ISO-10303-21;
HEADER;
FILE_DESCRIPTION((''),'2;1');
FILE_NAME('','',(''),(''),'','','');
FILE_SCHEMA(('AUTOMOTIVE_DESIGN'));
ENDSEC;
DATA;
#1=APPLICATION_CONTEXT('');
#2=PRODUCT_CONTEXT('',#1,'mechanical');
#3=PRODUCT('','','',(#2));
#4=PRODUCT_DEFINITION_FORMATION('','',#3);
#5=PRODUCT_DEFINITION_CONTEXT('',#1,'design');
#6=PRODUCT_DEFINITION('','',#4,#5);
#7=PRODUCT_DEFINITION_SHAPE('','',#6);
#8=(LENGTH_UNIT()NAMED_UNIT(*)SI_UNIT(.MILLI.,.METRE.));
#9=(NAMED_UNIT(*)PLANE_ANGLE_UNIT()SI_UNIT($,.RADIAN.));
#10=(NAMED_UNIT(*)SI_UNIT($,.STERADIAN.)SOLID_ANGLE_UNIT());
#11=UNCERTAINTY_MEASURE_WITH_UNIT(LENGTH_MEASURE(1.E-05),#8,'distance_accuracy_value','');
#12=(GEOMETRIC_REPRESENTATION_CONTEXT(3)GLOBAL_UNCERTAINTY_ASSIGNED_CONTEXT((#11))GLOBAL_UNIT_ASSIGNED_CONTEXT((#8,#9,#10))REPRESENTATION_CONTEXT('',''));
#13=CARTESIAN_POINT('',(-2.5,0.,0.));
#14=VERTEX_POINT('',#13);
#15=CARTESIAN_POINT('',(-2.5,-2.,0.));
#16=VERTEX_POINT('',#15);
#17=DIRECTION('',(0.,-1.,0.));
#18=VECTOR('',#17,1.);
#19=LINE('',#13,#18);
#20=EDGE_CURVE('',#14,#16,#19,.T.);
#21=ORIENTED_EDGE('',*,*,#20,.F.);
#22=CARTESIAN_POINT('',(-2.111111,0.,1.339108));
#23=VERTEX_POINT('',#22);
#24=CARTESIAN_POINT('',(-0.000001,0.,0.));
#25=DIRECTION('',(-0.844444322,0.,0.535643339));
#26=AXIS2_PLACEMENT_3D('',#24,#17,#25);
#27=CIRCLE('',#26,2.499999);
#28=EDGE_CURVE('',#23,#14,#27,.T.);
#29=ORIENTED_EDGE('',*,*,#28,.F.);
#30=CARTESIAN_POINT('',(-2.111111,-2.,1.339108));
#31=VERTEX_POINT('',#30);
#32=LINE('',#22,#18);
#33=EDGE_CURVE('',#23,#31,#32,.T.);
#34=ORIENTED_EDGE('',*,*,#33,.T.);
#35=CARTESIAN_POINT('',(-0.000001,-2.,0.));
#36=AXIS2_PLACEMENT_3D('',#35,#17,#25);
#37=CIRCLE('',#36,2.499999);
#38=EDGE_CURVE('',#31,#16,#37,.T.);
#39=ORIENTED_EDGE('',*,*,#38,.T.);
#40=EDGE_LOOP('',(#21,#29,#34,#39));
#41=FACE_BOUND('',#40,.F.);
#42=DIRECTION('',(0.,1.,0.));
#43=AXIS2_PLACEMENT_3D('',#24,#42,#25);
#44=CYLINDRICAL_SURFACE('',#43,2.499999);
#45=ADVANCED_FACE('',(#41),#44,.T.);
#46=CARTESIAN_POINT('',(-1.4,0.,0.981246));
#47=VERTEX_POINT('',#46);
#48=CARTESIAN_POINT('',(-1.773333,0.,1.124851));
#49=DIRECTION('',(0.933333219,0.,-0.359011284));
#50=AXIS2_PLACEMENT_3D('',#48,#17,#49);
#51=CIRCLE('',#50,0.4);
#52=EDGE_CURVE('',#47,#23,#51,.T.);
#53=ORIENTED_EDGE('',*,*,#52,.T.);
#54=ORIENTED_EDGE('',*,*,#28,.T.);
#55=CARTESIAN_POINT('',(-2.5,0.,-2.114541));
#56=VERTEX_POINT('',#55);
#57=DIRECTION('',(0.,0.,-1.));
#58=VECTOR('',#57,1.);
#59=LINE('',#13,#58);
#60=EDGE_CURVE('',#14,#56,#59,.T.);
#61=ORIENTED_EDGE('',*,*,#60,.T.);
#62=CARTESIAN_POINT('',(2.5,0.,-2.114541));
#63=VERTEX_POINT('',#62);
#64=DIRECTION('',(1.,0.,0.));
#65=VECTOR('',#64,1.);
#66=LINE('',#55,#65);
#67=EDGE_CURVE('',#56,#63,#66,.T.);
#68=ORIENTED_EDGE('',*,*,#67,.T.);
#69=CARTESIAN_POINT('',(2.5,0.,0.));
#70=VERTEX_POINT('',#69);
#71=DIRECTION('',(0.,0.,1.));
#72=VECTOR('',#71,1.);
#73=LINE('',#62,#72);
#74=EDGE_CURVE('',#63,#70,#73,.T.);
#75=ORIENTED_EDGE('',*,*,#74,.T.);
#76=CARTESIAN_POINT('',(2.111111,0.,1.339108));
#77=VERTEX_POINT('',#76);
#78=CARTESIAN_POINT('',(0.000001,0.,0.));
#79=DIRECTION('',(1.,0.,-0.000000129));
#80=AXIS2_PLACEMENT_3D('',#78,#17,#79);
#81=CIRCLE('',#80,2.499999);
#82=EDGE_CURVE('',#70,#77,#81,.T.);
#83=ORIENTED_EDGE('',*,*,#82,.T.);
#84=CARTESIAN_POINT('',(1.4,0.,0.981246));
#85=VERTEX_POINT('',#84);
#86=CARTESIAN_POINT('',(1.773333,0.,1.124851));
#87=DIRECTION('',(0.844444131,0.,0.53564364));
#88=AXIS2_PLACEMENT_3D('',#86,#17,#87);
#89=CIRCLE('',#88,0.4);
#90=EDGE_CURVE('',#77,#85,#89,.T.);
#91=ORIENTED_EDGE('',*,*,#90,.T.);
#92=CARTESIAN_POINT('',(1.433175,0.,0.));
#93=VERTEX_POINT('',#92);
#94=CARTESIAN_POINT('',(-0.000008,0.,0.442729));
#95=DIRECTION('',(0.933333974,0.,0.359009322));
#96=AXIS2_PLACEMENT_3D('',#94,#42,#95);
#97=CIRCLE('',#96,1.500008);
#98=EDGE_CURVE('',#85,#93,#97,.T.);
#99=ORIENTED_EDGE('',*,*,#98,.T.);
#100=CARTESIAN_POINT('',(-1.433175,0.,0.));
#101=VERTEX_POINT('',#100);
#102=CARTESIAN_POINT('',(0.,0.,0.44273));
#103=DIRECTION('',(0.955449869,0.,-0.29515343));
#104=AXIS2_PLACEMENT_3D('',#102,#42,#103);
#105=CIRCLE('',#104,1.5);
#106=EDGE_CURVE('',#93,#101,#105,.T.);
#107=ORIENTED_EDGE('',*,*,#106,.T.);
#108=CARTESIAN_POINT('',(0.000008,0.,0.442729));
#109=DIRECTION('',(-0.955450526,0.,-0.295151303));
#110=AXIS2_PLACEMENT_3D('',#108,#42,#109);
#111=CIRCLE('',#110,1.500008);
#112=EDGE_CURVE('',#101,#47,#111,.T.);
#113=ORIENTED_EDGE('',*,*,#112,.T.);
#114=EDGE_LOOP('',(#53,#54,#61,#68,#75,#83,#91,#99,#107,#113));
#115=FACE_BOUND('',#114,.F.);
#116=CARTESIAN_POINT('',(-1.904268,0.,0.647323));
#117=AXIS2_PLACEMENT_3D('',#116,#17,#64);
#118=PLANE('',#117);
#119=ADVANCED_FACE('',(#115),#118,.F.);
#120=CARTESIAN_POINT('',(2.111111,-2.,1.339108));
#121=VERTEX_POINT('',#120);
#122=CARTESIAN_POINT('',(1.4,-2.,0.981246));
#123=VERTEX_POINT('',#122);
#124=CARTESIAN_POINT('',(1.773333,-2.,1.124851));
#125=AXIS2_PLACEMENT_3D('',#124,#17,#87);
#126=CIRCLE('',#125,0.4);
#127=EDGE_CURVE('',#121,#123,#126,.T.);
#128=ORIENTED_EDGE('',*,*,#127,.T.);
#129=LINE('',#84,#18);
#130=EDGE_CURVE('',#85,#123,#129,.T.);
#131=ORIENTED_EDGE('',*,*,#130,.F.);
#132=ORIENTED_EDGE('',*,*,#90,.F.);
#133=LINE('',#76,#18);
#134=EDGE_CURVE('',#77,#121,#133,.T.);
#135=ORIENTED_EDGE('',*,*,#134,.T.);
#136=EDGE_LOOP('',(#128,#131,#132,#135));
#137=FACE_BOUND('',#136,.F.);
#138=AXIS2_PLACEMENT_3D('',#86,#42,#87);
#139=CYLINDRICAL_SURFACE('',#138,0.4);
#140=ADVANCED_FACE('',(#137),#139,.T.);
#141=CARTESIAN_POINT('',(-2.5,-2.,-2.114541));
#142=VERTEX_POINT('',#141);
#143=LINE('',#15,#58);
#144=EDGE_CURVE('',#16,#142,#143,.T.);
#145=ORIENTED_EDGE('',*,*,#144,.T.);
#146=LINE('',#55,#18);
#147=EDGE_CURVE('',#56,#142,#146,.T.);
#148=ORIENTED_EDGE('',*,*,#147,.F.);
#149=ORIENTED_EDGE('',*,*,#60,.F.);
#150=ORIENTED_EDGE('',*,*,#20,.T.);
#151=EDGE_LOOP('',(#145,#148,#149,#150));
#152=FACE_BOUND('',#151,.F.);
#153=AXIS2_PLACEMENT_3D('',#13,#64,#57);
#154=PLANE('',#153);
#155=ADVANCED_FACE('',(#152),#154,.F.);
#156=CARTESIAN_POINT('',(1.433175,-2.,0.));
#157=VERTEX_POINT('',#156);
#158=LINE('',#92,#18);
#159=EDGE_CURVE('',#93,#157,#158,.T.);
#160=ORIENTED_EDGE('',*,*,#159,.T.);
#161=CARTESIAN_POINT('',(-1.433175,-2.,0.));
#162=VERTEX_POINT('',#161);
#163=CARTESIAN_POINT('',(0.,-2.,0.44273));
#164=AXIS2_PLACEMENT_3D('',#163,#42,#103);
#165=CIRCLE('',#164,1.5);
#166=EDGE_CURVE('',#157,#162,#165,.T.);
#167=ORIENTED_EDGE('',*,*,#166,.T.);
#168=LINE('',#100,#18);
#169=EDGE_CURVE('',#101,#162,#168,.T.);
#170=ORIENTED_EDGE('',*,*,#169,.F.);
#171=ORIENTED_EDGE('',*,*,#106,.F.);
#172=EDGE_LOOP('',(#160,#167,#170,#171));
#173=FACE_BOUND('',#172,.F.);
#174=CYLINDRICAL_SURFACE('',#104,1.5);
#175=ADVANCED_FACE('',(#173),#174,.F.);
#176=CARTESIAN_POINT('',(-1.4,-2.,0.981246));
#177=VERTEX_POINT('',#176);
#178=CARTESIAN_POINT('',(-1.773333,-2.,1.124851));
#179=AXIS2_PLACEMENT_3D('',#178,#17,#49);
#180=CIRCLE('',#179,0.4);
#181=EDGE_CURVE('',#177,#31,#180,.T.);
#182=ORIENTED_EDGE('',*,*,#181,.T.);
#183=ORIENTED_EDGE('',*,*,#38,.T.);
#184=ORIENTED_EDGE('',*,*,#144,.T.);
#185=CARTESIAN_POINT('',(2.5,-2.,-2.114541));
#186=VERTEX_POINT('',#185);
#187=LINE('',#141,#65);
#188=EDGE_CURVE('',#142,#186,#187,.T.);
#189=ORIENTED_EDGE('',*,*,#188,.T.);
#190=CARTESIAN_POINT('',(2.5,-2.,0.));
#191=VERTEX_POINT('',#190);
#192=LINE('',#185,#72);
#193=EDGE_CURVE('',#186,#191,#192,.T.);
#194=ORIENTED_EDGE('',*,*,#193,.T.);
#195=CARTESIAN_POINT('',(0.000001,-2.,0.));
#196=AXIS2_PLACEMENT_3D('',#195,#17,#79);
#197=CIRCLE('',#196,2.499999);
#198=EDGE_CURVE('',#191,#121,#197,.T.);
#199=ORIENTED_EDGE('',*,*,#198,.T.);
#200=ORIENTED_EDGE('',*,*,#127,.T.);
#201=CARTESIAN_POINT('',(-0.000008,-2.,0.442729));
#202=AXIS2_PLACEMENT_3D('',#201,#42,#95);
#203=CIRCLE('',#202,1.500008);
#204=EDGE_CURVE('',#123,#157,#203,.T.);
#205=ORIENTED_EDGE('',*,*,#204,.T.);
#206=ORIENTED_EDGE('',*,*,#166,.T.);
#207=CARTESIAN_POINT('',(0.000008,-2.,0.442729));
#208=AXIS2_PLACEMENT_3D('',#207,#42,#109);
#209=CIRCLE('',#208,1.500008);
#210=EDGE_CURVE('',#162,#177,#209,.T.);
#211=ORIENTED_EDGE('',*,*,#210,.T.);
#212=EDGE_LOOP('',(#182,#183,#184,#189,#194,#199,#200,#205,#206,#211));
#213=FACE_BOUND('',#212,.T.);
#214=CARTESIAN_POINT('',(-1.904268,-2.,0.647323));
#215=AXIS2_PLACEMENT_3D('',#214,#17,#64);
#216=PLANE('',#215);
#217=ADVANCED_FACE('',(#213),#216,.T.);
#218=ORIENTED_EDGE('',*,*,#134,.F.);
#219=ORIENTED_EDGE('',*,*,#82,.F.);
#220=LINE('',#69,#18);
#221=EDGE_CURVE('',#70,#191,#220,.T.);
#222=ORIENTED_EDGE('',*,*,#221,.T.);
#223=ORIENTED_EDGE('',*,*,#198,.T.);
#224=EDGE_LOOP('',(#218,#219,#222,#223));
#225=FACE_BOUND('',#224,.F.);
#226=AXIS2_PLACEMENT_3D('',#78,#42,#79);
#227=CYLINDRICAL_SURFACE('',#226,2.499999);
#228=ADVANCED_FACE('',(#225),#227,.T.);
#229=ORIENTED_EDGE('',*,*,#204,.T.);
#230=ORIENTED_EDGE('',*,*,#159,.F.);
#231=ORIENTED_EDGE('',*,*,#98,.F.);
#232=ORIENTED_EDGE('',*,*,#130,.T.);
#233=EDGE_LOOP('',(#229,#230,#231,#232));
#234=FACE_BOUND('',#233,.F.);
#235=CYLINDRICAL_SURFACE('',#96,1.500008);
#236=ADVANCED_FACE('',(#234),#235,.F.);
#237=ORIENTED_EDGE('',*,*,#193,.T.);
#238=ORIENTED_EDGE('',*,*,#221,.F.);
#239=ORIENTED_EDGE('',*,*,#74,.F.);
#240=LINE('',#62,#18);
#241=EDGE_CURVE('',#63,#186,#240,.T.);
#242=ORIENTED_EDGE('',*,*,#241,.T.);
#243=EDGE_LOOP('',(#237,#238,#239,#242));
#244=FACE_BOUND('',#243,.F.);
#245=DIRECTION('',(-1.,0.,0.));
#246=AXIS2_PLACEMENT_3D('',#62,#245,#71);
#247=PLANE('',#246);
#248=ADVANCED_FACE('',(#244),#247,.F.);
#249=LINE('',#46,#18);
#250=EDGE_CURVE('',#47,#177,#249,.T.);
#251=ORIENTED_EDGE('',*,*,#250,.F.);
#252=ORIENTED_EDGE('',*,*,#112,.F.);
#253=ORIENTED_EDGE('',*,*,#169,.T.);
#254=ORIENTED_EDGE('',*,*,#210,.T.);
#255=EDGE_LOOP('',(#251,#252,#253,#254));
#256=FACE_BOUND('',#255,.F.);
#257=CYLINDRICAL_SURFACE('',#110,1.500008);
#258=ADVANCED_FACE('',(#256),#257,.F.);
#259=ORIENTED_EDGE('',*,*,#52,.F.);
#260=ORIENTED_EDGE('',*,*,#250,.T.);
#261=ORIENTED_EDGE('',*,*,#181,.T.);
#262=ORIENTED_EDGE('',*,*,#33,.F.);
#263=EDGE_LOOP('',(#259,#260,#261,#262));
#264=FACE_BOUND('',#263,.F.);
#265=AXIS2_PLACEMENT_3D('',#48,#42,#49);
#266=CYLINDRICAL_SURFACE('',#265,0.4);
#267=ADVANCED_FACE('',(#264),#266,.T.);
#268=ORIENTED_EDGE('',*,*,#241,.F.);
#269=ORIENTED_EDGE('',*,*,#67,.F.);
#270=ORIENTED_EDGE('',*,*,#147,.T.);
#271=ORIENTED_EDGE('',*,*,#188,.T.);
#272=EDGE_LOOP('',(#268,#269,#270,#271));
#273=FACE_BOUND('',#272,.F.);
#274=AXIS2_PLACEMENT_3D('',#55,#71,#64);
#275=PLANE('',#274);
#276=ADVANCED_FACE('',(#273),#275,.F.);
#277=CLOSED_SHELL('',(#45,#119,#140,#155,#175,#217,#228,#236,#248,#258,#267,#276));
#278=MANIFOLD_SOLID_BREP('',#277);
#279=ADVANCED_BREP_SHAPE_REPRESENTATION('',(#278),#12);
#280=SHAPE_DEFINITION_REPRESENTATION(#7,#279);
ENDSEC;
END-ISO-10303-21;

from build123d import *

# Parameters (mm, degrees)
F1_DEPTH = 2


with BuildPart() as f1:
    # F0 (on Front) → F1 (new body)
    with BuildSketch(Plane.XZ):
        with BuildLine():
            ThreePointArc((-1.4, 0.981246), (-1.593522, 1.482157), (-2.111111, 1.339108))
            ThreePointArc((-2.111111, 1.339108), (-2.40081, 0.697217), (-2.5, 0))
            Line((-2.5, 0), (-1.433175, 0))
            ThreePointArc((-1.433175, 0), (-1.499143, 0.493414), (-1.4, 0.981246))
        make_face()
        with BuildLine():
            Line((-1.433175, 0), (-2.5, 0))
            Line((-2.5, 0), (-2.5, -2.114541))
            Line((-2.5, -2.114541), (2.5, -2.114541))
            Line((2.5, -2.114541), (2.5, 0))
            Line((2.5, 0), (1.433175, 0))
            ThreePointArc((1.433175, 0), (0, -1.05727), (-1.433175, 0))
        make_face()
        with BuildLine():
            ThreePointArc((1.4, 0.981246), (1.499143, 0.493414), (1.433175, 0))
            Line((1.433175, 0), (2.5, 0))
            ThreePointArc((2.5, 0), (2.40081, 0.697217), (2.111111, 1.339108))
            ThreePointArc((2.111111, 1.339108), (1.593522, 1.482157), (1.4, 0.981246))
        make_face()
    extrude(amount=F1_DEPTH)


solid = f1.part
